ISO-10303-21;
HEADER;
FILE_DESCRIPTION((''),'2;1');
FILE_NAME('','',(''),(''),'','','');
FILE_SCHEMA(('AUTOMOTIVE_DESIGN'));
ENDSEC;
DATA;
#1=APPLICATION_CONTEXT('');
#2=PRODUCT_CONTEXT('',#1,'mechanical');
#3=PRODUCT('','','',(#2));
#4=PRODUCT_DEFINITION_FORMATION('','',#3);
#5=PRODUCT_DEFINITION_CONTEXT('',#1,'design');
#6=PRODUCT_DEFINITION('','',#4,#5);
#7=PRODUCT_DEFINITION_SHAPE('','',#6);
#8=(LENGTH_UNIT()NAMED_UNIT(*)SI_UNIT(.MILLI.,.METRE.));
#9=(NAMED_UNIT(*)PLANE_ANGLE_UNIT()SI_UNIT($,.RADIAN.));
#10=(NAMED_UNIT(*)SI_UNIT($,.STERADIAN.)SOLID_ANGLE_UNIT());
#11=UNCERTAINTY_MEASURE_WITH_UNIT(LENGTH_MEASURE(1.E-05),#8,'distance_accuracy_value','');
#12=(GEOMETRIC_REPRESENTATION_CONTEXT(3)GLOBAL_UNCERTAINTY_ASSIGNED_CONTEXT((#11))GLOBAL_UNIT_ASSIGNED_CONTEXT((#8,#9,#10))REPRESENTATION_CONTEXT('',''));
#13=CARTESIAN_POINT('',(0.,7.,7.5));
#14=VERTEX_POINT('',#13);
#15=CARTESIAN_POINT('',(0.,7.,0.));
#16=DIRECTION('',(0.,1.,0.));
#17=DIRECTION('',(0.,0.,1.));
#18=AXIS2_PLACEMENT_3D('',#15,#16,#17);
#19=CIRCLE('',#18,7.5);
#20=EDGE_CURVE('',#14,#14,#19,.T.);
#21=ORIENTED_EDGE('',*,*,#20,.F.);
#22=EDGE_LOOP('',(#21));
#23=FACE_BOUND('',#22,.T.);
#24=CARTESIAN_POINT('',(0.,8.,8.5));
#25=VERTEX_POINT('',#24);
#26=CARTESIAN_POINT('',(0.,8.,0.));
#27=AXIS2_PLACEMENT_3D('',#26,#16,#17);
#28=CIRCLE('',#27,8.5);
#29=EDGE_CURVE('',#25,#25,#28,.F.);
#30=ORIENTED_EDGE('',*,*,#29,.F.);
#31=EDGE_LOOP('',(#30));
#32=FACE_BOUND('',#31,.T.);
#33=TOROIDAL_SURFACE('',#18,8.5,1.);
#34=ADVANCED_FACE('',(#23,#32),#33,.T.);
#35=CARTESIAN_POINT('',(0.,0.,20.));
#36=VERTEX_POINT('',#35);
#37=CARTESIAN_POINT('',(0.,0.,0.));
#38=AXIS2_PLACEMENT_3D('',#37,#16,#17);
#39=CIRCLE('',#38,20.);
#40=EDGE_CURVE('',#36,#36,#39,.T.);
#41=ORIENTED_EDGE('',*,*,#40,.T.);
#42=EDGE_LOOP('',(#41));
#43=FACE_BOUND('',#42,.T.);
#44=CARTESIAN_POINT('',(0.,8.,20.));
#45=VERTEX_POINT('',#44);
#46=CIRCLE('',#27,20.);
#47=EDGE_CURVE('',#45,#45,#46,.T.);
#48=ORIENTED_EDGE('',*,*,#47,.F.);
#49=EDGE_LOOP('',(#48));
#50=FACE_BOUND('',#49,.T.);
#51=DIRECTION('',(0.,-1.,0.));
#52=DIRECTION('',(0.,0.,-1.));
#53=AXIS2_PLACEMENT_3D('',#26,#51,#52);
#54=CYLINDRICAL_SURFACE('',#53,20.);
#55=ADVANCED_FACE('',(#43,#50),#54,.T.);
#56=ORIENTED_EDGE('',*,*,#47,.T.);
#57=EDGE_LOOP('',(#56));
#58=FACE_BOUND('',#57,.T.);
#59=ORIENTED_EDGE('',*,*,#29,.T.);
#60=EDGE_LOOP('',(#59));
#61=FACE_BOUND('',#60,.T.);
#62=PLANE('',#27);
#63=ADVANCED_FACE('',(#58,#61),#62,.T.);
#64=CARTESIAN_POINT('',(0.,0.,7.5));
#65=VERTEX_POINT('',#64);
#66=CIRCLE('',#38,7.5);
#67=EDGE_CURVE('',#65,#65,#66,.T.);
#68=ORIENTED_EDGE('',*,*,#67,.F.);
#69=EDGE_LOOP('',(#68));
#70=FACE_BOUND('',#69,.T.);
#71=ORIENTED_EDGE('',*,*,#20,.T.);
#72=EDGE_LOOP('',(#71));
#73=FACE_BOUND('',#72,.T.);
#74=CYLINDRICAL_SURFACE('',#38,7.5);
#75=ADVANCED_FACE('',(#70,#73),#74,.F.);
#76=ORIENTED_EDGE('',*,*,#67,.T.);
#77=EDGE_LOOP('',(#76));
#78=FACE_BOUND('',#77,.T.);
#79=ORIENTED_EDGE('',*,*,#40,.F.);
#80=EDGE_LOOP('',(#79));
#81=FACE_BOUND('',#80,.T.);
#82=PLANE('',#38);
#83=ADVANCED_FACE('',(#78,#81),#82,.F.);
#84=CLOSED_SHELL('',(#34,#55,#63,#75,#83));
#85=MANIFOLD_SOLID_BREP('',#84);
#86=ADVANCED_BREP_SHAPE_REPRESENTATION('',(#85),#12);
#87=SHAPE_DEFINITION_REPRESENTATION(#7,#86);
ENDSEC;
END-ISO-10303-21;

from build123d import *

# Parameters (mm, degrees)
SKETCH1_R           = 20
BOSS_EXTRUDE1_DEPTH = 8
SKETCH2_R           = 7.5
CUT_EXTRUDE1_DEPTH  = 9
FILLET1_R           = 1


with BuildPart() as part:
    # Sketch1 → Boss-Extrude1 (new body)
    with BuildSketch(Plane(origin=(0, 0, 0), x_dir=(1, 0, 0), z_dir=(0, 1, 0))):
        Circle(SKETCH1_R)
    extrude(amount=BOSS_EXTRUDE1_DEPTH)

    # Sketch2 → Cut-Extrude1 (cut, through all)
    with BuildSketch(Plane(origin=(0, 8, 0), x_dir=(1, 0, 0), z_dir=(0, 1, 0))):
        Circle(SKETCH2_R)
    extrude(amount=-CUT_EXTRUDE1_DEPTH, mode=Mode.SUBTRACT)

    # Fillet1
    fillet1_edges = [part.edges().sort_by_distance(p)[0] for p in [
        (-7.5, 8, 0),
    ]]
    fillet(fillet1_edges, radius=FILLET1_R)


solid = part.part
